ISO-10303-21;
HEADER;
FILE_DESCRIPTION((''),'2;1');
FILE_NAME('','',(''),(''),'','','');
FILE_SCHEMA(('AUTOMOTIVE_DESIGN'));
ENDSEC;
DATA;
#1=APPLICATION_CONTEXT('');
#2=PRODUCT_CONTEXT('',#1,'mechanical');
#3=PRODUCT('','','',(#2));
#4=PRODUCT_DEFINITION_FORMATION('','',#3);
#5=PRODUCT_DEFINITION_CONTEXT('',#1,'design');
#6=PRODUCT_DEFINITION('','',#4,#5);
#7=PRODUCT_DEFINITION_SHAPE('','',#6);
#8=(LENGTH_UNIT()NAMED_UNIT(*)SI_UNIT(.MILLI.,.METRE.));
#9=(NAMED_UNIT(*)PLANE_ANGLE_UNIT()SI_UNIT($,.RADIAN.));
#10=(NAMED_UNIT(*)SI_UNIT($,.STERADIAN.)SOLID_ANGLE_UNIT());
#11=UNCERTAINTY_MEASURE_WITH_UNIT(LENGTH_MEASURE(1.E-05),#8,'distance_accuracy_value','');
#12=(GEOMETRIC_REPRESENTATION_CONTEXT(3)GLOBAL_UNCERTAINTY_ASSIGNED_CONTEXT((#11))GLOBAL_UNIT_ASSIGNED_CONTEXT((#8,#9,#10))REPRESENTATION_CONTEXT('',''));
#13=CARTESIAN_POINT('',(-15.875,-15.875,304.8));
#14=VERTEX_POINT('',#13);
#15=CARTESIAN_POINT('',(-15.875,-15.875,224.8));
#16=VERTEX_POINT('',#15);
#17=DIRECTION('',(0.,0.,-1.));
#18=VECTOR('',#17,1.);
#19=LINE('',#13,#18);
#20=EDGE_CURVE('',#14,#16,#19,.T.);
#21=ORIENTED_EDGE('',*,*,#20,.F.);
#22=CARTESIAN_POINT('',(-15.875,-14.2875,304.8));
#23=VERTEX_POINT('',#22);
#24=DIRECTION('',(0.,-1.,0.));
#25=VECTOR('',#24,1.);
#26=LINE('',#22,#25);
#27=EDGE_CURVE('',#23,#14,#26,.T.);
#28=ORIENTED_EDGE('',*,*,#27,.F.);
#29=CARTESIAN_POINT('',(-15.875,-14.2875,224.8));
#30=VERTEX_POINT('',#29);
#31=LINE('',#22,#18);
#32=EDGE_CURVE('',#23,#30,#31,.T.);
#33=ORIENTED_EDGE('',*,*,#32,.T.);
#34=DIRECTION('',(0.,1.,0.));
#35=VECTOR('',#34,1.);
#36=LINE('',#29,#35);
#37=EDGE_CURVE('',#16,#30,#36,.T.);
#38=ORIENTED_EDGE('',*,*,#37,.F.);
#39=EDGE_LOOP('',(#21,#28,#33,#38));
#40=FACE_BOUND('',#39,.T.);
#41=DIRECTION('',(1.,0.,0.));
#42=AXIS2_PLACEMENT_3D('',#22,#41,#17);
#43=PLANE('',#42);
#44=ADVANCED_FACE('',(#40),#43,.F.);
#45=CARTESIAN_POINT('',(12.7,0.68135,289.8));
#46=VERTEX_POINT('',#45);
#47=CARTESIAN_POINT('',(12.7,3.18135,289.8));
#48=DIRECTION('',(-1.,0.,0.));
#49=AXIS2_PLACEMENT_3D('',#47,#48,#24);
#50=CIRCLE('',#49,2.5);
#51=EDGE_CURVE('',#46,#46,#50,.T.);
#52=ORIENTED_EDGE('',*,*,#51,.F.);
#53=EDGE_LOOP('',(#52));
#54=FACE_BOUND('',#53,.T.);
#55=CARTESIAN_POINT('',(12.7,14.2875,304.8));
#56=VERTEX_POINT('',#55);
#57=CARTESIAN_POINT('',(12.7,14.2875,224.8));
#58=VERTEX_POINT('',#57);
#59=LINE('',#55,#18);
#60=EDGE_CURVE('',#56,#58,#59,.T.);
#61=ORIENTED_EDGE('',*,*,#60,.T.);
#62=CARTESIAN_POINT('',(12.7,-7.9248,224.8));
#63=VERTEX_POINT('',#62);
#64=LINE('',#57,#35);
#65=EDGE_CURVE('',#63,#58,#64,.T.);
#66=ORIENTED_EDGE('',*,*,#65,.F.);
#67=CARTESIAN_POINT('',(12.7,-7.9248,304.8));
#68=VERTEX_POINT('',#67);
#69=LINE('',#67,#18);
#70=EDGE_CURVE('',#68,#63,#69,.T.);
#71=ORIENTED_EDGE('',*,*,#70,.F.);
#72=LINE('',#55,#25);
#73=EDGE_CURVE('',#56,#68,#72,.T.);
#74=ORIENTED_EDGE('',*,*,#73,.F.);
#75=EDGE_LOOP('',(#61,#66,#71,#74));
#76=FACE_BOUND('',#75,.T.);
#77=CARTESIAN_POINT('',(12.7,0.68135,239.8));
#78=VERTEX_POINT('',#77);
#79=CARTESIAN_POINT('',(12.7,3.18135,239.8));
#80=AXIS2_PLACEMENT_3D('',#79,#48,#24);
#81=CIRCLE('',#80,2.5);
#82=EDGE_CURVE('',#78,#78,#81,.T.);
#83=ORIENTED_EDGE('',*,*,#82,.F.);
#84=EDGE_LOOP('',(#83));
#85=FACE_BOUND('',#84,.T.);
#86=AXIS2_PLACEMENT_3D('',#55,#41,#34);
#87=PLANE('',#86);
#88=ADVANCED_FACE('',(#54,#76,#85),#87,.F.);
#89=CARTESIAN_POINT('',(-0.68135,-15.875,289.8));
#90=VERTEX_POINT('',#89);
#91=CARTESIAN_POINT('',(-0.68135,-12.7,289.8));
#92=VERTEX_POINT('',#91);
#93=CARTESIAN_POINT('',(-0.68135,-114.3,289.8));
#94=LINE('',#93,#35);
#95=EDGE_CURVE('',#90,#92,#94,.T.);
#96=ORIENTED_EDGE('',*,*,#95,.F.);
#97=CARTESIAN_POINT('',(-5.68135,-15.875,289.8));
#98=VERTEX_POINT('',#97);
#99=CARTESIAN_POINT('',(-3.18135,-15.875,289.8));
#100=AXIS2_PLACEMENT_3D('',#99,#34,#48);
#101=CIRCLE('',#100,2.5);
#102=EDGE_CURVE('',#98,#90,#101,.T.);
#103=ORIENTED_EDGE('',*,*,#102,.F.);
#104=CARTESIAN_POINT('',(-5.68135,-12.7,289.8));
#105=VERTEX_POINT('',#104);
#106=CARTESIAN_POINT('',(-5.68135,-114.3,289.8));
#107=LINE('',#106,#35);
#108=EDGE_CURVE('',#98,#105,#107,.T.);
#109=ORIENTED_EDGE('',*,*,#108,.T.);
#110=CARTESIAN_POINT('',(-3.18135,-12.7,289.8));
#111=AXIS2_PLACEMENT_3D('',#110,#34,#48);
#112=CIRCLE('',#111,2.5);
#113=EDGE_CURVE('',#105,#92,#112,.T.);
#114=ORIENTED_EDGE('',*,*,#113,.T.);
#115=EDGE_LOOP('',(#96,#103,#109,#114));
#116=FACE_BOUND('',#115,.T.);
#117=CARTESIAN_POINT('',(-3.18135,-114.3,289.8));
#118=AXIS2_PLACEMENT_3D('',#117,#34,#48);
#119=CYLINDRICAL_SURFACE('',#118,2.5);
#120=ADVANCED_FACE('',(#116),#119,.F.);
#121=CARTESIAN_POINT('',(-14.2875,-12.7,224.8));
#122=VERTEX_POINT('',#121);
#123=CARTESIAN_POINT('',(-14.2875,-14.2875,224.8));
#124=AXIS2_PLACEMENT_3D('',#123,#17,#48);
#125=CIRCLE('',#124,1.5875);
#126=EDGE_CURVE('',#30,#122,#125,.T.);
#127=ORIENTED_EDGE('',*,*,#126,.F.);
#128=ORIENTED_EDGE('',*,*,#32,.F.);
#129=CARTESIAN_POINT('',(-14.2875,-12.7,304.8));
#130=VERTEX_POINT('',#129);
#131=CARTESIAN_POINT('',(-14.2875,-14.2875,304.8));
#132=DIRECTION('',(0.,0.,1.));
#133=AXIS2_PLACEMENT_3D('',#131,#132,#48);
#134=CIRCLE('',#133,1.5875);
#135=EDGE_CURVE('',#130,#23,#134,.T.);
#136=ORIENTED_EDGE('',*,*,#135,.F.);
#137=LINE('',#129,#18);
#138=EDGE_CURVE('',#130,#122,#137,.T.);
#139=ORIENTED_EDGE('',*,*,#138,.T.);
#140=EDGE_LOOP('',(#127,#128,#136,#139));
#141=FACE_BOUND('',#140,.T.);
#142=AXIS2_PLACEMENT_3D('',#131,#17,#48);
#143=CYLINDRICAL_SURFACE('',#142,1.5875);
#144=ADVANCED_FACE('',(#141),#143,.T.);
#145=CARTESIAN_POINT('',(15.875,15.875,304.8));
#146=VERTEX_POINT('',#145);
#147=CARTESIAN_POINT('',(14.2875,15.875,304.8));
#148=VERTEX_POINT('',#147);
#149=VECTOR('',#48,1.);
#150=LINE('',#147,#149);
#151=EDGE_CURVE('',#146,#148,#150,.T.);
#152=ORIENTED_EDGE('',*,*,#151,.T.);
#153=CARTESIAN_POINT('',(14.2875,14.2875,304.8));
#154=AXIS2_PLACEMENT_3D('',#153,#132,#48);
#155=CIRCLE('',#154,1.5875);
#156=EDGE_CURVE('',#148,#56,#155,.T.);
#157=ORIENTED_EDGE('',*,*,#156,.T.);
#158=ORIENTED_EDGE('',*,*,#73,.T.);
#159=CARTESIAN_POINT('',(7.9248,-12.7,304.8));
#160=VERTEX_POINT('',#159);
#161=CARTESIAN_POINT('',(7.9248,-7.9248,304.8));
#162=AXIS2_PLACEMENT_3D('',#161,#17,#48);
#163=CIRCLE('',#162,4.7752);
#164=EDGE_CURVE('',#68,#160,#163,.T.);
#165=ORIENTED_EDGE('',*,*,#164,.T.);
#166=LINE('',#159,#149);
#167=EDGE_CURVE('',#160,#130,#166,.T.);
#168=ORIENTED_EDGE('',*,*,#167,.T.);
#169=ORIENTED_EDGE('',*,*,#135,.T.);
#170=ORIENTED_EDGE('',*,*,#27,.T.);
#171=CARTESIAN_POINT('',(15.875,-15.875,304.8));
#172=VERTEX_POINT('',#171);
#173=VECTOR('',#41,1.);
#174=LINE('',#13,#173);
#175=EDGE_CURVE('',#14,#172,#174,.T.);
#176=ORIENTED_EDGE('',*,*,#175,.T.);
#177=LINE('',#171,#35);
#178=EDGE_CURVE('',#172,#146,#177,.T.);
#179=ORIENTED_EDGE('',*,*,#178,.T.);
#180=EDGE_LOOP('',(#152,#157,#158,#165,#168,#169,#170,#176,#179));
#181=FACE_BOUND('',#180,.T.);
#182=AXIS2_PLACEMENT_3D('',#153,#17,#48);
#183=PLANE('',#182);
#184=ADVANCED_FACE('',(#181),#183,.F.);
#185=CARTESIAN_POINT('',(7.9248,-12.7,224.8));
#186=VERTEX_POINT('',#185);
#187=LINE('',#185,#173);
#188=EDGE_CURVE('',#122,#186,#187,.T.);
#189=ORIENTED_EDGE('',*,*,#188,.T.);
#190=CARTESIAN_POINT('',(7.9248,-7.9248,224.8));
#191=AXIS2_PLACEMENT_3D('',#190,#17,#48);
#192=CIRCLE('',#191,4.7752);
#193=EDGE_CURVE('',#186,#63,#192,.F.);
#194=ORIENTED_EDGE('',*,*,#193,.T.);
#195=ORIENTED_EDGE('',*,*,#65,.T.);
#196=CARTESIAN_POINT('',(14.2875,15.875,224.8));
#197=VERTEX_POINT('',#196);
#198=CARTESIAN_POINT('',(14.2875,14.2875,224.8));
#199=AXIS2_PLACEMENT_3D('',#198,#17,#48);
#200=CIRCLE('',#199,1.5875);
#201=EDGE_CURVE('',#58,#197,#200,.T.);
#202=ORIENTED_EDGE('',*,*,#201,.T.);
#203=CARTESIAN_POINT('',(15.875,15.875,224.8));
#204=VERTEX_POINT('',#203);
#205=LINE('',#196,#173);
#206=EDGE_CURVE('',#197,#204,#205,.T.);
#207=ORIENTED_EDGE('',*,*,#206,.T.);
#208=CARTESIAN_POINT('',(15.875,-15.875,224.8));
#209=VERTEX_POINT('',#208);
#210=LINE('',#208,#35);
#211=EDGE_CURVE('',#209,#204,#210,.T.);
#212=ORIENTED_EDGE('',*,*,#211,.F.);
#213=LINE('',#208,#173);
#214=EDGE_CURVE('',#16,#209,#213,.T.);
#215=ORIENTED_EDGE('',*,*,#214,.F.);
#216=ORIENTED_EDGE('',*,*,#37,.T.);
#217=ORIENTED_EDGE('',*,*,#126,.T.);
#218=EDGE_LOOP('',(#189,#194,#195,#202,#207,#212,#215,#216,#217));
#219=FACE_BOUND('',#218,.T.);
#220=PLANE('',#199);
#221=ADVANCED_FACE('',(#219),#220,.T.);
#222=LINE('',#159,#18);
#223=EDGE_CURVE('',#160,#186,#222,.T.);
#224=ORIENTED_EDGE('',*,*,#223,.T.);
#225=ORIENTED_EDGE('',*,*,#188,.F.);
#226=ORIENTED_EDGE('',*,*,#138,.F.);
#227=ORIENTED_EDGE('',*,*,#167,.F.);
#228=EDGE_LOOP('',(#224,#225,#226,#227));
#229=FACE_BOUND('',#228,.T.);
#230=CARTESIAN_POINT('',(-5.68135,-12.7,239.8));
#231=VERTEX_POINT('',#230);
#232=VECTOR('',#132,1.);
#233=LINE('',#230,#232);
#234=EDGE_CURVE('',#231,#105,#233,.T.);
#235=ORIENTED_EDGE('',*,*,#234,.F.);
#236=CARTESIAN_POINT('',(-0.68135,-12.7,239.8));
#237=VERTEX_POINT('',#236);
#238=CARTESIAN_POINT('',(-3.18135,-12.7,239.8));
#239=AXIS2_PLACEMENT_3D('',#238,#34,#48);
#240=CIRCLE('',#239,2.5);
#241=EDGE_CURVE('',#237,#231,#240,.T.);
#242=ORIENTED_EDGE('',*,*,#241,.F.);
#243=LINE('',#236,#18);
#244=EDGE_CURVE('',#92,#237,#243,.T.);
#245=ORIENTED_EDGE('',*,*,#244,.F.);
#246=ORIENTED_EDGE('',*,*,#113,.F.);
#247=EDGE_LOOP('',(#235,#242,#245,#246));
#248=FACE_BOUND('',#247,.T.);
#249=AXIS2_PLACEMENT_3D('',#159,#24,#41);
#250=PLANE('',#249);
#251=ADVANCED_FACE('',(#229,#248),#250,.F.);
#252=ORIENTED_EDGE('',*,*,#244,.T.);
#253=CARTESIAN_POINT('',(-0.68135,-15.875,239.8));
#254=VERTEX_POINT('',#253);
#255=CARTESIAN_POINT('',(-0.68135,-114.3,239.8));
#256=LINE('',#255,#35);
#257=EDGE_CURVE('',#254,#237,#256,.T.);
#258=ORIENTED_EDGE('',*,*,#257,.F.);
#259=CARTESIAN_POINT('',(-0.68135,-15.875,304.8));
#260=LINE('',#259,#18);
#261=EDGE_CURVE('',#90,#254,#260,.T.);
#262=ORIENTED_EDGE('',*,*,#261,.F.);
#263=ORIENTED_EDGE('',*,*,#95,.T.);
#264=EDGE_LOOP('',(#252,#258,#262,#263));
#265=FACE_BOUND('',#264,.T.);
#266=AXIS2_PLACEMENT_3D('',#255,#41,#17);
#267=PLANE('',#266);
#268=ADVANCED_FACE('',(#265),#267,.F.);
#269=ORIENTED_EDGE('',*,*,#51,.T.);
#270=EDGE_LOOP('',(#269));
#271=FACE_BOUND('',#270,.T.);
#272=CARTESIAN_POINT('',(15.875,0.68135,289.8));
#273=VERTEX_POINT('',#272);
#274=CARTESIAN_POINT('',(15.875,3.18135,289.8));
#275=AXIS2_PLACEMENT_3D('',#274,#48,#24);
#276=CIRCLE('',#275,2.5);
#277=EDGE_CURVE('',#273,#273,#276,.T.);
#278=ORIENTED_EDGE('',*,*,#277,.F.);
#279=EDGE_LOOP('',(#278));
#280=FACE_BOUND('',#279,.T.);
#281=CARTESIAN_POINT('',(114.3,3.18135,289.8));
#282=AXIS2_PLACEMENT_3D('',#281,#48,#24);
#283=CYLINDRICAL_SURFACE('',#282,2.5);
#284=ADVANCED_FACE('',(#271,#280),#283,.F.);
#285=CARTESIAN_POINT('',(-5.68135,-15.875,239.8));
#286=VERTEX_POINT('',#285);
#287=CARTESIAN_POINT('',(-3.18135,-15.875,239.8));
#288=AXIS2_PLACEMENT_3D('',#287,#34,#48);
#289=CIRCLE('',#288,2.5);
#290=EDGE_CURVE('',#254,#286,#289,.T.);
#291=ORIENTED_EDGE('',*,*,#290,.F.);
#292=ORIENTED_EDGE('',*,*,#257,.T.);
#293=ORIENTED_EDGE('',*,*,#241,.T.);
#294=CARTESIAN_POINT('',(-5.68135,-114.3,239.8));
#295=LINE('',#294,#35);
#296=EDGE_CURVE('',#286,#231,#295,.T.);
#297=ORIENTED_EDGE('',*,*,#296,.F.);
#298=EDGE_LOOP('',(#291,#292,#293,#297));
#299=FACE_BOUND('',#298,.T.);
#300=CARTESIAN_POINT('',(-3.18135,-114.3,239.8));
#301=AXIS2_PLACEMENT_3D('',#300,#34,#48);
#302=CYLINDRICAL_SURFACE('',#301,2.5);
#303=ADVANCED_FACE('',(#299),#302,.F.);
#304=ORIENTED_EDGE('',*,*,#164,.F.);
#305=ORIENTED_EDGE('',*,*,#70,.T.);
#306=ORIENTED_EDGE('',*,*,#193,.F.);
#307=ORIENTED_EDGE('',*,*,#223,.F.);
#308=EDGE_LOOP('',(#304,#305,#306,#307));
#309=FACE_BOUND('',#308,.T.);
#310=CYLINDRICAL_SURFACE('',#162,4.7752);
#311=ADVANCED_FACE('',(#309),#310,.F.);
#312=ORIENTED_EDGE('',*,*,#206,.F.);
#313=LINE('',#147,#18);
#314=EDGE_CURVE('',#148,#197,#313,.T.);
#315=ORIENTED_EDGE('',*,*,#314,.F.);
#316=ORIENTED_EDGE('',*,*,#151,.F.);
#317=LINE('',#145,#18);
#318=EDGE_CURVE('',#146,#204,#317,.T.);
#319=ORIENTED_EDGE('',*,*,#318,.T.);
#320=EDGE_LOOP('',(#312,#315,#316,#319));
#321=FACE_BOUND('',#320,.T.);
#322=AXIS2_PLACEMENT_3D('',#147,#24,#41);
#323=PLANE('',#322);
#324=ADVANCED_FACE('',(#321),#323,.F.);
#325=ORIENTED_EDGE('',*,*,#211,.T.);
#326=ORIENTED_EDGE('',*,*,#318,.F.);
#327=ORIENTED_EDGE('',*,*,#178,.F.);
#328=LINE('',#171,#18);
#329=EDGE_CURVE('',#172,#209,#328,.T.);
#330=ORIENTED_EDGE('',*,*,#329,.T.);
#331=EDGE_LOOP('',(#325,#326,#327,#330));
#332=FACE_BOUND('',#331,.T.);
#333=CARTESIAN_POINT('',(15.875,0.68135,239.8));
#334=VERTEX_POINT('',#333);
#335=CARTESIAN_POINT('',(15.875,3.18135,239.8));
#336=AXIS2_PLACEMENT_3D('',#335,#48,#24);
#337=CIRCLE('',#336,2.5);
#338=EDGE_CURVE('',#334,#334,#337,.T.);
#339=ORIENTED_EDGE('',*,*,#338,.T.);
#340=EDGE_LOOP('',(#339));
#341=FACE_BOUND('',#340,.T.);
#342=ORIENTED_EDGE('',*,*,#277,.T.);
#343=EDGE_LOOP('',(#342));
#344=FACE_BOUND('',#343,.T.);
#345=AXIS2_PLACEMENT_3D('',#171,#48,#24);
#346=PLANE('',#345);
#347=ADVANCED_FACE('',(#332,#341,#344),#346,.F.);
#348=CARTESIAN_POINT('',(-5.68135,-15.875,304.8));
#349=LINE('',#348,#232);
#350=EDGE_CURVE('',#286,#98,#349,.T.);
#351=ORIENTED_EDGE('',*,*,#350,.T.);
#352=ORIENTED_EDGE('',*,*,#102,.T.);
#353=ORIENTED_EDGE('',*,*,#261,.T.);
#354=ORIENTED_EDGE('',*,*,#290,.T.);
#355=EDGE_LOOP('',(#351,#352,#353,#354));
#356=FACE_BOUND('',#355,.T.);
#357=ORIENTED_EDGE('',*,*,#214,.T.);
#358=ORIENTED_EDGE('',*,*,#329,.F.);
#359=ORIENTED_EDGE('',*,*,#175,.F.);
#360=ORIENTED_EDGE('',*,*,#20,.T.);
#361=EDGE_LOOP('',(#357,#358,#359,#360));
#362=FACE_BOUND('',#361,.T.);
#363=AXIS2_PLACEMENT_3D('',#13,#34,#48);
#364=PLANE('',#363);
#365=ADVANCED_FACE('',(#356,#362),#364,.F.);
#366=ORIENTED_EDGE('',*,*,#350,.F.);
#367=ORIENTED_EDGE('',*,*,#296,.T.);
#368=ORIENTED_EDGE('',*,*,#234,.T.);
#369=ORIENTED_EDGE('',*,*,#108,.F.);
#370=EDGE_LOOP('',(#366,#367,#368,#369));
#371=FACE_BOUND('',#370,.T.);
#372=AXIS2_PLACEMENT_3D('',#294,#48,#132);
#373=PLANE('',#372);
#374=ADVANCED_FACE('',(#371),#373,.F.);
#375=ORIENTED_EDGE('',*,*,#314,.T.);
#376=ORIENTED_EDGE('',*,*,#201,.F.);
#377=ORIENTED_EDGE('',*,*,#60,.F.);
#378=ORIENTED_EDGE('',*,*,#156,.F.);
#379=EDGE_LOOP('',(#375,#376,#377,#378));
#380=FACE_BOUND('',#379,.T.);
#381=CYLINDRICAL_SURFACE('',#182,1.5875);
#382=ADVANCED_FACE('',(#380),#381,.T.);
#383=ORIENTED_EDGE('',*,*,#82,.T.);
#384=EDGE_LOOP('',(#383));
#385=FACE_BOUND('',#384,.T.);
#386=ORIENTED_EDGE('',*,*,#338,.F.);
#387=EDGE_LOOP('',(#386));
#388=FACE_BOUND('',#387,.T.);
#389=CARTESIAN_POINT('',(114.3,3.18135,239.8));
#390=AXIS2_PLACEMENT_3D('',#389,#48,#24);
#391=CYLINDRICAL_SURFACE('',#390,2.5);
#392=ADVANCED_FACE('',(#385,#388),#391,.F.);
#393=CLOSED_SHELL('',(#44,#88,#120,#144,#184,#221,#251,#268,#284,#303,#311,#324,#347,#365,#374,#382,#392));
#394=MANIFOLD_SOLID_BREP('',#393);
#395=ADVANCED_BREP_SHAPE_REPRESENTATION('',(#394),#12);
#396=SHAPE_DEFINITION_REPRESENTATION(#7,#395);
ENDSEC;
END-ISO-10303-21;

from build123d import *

# Parameters (mm, degrees)
BOSS_EXTRUDE1_DEPTH = 304.8
SKETCH3_W           = 34.414454966
SKETCH3_H           = 33.657940314
CUT_EXTRUDE1_DEPTH  = 529.6
SKETCH5_R           = 2.5
CUT_EXTRUDE2_DEPTH  = 101.6
CUT_EXTRUDE3_DEPTH  = 101.6


with BuildPart() as part:
    # Sketch2 → Boss-Extrude1 (new, symmetric)
    with BuildSketch(Plane.XY):
        with BuildLine():
            Line((-15.875, -15.875), (15.875, -15.875))
            Line((15.875, -15.875), (15.875, 15.875))
            Line((15.875, 15.875), (14.2875, 15.875))
            ThreePointArc((14.2875, 15.875), (13.164967985, 15.410032015), (12.7, 14.2875))
            Line((12.7, 14.2875), (12.7, -7.9248))
            ThreePointArc((12.7, -7.9248), (11.301376302, -11.301376302), (7.9248, -12.7))
            Line((7.9248, -12.7), (-14.2875, -12.7))
            ThreePointArc((-14.2875, -12.7), (-15.410032015, -13.164967985), (-15.875, -14.2875))
            Line((-15.875, -14.2875), (-15.875, -15.875))
        make_face()
    extrude(amount=BOSS_EXTRUDE1_DEPTH, both=True)

    # Sketch3 → Cut-Extrude1 (cut)
    with BuildSketch(Plane(origin=(0, 0, -304.8), x_dir=(-1, 0, 0), z_dir=(0, 0, -1))):
        with Locations((1.332227483, 0.953970157)):
            Rectangle(SKETCH3_W, SKETCH3_H)
    extrude(amount=-CUT_EXTRUDE1_DEPTH, mode=Mode.SUBTRACT)

    # Sketch5 → Cut-Extrude2 (cut)
    with BuildSketch(Plane.ZY.offset(-12.7)):
        with Locations(Location((289.8, 3.18135, 0), (0, 0, 270))):
            Circle(SKETCH5_R)
        with Locations(Location((239.8, 3.18135, 0), (0, 0, 270))):
            Circle(SKETCH5_R)
    extrude(amount=-CUT_EXTRUDE2_DEPTH, mode=Mode.SUBTRACT)

    # Sketch4 → Cut-Extrude3 (cut)
    with BuildSketch(Plane(origin=(0, -12.7, 0), x_dir=(1, 0, 0), z_dir=(0, 1, 0))):
        with BuildLine():
            Line((-0.68135, -239.8), (-0.68135, -289.8))
            ThreePointArc((-0.68135, -289.8), (-3.18135, -292.3), (-5.68135, -289.8))
            Line((-5.68135, -289.8), (-5.68135, -239.8))
            ThreePointArc((-5.68135, -239.8), (-3.18135, -237.3), (-0.68135, -239.8))
        make_face()
    extrude(amount=-CUT_EXTRUDE3_DEPTH, mode=Mode.SUBTRACT)


solid = part.part
